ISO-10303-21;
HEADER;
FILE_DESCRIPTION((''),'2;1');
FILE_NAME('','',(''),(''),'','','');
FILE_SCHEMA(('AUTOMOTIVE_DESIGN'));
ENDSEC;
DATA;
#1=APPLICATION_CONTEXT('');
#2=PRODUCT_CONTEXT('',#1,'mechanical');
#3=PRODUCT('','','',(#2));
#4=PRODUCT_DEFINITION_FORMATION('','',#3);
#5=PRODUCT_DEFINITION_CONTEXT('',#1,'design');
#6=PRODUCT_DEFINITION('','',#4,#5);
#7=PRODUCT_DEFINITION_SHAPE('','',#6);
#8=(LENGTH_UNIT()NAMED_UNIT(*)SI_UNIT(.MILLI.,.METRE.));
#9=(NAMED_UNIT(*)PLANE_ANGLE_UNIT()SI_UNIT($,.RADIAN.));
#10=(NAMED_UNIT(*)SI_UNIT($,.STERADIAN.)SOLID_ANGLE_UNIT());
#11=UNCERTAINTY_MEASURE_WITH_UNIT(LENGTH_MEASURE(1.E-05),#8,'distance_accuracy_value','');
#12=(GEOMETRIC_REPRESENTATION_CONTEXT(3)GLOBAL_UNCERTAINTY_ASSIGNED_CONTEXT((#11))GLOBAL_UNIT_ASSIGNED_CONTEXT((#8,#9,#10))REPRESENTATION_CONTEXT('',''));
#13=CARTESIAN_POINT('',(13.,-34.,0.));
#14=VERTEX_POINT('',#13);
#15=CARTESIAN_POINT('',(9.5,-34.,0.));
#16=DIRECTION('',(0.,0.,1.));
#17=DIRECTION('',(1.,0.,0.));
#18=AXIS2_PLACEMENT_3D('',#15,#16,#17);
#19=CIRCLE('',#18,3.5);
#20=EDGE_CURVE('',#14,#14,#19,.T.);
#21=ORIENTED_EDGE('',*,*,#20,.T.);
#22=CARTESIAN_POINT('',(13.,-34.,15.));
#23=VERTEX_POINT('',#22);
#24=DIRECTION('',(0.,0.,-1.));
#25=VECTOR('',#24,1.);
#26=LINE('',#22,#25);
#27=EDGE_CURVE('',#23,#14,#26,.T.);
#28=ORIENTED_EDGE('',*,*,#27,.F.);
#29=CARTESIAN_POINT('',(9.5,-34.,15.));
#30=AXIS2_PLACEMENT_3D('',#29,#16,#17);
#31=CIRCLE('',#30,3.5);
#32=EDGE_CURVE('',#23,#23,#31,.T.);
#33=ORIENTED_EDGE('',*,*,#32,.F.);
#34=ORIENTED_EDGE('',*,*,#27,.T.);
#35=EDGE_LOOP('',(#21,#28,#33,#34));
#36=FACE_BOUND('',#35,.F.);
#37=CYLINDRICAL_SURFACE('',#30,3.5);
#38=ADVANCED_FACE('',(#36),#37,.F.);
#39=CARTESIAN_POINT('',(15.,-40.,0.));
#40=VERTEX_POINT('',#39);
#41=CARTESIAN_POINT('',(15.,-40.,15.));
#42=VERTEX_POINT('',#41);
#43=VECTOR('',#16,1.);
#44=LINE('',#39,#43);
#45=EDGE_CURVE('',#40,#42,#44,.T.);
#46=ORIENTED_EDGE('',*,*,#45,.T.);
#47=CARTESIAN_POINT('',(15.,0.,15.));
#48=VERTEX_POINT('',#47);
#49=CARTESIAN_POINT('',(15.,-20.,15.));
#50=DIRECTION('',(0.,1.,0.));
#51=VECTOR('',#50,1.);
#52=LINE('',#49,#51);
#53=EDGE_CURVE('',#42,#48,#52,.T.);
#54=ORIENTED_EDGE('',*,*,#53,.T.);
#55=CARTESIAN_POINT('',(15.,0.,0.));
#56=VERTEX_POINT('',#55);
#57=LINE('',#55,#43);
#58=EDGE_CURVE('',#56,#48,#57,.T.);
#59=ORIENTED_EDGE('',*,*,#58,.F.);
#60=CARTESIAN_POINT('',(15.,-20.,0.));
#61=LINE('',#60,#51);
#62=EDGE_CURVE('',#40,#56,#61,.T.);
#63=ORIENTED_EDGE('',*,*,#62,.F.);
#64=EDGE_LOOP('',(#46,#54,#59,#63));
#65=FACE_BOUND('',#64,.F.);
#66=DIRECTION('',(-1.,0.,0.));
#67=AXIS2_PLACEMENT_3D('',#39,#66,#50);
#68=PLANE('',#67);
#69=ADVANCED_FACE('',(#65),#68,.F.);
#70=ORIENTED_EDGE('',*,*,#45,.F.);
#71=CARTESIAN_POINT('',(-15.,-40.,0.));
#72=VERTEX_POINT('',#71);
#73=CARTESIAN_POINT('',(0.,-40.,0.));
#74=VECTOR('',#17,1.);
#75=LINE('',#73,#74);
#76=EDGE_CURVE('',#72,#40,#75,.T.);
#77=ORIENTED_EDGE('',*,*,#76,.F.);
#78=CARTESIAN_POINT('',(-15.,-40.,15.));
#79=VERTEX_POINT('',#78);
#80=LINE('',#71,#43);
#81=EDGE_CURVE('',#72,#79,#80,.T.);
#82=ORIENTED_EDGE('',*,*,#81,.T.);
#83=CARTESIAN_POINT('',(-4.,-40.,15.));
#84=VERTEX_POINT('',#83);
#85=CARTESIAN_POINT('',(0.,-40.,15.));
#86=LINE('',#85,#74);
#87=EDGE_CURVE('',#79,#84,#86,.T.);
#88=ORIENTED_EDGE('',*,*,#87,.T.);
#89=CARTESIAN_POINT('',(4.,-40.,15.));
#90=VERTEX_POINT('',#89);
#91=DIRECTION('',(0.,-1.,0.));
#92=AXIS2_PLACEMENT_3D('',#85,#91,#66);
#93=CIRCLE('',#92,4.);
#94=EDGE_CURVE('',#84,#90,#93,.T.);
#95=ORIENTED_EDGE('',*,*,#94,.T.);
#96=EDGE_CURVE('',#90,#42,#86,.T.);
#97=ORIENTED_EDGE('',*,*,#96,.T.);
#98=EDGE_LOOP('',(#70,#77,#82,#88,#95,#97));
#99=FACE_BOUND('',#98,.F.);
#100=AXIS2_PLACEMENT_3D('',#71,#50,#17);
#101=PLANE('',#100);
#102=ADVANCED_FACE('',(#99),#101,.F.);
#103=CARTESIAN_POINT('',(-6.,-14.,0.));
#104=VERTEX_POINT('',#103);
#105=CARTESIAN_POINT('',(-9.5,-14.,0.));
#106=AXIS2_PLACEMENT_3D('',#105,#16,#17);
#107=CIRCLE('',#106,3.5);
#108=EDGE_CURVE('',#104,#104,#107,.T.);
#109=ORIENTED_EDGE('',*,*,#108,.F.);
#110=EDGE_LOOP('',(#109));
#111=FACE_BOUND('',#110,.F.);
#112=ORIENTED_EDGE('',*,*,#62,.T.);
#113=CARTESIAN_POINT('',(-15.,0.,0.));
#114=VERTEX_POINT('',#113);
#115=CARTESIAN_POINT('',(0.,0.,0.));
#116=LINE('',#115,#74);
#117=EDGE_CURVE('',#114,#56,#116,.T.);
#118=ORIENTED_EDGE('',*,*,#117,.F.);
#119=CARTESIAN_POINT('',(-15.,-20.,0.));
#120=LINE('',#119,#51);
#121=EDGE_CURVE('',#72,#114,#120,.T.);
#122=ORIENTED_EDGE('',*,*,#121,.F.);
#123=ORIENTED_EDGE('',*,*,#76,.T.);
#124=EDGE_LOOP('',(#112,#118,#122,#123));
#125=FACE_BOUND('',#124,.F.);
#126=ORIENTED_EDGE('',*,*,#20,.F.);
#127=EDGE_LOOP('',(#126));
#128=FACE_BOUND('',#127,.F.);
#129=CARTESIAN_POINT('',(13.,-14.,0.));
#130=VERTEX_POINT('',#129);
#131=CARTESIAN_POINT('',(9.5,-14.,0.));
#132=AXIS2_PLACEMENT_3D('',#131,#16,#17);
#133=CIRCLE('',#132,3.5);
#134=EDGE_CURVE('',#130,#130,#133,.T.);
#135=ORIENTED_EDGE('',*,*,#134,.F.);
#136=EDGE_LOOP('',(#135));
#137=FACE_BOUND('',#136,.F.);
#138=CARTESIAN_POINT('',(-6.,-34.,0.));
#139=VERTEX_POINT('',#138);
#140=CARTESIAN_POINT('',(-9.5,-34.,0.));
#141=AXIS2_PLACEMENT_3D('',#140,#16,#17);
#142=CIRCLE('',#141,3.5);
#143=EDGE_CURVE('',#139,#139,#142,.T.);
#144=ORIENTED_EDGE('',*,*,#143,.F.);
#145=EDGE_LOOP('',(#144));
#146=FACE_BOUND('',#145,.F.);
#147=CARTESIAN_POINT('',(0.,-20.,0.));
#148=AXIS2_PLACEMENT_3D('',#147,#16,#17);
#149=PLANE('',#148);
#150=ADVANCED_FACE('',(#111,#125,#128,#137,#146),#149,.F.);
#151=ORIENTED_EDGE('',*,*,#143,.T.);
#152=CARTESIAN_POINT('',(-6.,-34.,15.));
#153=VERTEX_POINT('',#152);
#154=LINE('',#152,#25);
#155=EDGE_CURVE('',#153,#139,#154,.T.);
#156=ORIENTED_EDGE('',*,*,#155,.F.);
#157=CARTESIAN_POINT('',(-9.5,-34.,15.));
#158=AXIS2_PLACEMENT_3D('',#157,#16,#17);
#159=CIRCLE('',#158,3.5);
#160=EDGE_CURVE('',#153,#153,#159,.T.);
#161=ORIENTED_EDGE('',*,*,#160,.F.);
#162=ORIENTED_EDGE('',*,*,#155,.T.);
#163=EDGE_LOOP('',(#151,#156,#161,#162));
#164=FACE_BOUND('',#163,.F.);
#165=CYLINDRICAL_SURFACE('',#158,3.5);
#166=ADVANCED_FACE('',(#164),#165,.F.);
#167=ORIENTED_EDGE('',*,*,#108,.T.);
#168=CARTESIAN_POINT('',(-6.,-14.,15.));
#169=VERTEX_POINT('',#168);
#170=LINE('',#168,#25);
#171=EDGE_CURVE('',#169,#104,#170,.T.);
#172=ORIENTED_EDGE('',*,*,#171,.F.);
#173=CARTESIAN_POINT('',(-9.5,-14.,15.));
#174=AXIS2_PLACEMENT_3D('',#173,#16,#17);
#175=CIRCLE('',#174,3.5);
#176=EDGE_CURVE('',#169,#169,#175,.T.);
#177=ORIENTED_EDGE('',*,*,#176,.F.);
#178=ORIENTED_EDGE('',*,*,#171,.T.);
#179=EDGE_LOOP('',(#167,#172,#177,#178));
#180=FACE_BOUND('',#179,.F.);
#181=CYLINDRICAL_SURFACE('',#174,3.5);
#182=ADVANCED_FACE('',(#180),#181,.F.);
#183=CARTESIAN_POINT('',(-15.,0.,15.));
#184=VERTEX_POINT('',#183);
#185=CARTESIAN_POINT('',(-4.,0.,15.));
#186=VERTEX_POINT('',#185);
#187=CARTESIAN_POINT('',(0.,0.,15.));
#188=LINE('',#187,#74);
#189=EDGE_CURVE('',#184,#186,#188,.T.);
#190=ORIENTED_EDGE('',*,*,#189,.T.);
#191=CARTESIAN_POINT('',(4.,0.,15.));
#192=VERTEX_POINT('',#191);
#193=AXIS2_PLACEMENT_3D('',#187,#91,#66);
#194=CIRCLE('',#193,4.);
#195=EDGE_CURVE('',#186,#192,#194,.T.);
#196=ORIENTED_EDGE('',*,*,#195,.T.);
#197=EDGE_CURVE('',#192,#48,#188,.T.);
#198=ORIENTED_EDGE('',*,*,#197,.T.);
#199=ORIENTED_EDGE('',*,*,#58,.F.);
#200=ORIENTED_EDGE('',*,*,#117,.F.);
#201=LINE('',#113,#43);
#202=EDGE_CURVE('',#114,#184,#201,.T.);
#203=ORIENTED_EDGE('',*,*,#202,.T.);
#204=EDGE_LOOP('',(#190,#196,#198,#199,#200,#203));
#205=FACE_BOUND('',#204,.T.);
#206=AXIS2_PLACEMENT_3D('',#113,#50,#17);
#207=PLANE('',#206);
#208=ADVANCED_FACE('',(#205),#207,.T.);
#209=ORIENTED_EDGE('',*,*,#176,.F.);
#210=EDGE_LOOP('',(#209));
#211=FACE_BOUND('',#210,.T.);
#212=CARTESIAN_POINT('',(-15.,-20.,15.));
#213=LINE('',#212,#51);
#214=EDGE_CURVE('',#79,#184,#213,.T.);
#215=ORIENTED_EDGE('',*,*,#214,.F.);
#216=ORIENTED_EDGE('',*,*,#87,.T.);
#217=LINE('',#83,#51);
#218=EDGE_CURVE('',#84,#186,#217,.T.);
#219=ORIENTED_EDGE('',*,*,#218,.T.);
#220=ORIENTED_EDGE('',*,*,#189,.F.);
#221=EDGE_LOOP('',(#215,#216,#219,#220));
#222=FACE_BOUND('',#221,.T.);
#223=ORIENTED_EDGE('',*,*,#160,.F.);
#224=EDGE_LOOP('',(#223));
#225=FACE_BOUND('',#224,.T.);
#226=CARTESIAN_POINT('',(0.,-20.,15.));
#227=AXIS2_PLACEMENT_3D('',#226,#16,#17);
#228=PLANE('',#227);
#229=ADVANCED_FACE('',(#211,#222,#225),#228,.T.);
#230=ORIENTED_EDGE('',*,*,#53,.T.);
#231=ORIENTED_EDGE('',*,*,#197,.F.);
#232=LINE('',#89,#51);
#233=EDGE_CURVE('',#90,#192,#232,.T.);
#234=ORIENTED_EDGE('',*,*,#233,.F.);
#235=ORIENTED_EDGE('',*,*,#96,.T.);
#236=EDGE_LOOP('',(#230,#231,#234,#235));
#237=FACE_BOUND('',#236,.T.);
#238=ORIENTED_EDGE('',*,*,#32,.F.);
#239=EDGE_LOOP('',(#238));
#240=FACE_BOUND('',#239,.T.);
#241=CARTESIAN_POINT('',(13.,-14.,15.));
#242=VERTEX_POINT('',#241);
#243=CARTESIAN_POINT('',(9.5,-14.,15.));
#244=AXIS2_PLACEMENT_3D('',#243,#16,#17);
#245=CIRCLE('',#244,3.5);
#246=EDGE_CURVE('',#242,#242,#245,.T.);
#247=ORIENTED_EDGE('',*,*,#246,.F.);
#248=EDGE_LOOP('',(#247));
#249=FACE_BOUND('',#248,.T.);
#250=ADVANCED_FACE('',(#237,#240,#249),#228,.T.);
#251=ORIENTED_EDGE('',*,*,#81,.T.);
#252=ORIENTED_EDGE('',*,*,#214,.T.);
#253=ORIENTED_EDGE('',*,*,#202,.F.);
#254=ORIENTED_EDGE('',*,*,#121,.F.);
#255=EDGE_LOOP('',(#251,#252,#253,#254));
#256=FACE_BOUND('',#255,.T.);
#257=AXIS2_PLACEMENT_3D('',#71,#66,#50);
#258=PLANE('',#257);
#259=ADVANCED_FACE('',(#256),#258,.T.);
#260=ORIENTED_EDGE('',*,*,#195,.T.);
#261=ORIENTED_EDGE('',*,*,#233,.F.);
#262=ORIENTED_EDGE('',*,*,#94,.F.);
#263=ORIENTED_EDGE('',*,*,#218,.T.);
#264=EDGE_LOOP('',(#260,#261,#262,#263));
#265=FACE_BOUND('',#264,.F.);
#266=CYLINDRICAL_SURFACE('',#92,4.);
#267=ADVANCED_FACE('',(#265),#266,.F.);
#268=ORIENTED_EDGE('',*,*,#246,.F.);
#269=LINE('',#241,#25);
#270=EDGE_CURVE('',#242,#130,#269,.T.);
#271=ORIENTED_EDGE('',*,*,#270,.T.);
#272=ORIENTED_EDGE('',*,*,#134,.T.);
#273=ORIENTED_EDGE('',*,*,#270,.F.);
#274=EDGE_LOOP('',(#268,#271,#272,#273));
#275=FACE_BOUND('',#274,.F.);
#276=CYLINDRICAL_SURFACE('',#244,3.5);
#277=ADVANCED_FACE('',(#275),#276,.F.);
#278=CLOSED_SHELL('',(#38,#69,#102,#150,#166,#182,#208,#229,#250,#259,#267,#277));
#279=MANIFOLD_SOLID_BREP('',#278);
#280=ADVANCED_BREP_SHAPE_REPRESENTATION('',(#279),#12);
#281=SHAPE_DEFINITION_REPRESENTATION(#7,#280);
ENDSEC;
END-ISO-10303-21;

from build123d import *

# Parameters (mm, degrees)
F0_W     = 30
F0_H     = 40
F1_DEPTH = 15
F3_DEPTH = 40
F4_R     = 3.5
F5_DEPTH = 15


with BuildPart() as f1:
    # F0 (on Top) → F1 (new body)
    with BuildSketch(Plane.XY):
        with Locations((0, -20)):
            Rectangle(F0_W, F0_H)
    extrude(amount=F1_DEPTH)

    # F2 (on face) → F3 (cut, through all)
    with BuildSketch(Plane.XZ.offset(40)):
        with BuildLine():
            ThreePointArc((-4, 15), (0, 11), (4, 15))
            Line((4, 15), (-4, 15))
        make_face()
    extrude(amount=-F3_DEPTH, mode=Mode.SUBTRACT)

    # F4 (on face) → F5 (cut, through all)
    with BuildSketch(Plane.XY.offset(15)):
        with Locations((-9.5, -34)):
            Circle(F4_R)
        with Locations((-9.5, -14)):
            Circle(F4_R)
        with Locations((9.5, -14)):
            Circle(F4_R)
        with Locations((9.5, -34)):
            Circle(F4_R)
    extrude(amount=-F5_DEPTH, mode=Mode.SUBTRACT)


solid = f1.part
